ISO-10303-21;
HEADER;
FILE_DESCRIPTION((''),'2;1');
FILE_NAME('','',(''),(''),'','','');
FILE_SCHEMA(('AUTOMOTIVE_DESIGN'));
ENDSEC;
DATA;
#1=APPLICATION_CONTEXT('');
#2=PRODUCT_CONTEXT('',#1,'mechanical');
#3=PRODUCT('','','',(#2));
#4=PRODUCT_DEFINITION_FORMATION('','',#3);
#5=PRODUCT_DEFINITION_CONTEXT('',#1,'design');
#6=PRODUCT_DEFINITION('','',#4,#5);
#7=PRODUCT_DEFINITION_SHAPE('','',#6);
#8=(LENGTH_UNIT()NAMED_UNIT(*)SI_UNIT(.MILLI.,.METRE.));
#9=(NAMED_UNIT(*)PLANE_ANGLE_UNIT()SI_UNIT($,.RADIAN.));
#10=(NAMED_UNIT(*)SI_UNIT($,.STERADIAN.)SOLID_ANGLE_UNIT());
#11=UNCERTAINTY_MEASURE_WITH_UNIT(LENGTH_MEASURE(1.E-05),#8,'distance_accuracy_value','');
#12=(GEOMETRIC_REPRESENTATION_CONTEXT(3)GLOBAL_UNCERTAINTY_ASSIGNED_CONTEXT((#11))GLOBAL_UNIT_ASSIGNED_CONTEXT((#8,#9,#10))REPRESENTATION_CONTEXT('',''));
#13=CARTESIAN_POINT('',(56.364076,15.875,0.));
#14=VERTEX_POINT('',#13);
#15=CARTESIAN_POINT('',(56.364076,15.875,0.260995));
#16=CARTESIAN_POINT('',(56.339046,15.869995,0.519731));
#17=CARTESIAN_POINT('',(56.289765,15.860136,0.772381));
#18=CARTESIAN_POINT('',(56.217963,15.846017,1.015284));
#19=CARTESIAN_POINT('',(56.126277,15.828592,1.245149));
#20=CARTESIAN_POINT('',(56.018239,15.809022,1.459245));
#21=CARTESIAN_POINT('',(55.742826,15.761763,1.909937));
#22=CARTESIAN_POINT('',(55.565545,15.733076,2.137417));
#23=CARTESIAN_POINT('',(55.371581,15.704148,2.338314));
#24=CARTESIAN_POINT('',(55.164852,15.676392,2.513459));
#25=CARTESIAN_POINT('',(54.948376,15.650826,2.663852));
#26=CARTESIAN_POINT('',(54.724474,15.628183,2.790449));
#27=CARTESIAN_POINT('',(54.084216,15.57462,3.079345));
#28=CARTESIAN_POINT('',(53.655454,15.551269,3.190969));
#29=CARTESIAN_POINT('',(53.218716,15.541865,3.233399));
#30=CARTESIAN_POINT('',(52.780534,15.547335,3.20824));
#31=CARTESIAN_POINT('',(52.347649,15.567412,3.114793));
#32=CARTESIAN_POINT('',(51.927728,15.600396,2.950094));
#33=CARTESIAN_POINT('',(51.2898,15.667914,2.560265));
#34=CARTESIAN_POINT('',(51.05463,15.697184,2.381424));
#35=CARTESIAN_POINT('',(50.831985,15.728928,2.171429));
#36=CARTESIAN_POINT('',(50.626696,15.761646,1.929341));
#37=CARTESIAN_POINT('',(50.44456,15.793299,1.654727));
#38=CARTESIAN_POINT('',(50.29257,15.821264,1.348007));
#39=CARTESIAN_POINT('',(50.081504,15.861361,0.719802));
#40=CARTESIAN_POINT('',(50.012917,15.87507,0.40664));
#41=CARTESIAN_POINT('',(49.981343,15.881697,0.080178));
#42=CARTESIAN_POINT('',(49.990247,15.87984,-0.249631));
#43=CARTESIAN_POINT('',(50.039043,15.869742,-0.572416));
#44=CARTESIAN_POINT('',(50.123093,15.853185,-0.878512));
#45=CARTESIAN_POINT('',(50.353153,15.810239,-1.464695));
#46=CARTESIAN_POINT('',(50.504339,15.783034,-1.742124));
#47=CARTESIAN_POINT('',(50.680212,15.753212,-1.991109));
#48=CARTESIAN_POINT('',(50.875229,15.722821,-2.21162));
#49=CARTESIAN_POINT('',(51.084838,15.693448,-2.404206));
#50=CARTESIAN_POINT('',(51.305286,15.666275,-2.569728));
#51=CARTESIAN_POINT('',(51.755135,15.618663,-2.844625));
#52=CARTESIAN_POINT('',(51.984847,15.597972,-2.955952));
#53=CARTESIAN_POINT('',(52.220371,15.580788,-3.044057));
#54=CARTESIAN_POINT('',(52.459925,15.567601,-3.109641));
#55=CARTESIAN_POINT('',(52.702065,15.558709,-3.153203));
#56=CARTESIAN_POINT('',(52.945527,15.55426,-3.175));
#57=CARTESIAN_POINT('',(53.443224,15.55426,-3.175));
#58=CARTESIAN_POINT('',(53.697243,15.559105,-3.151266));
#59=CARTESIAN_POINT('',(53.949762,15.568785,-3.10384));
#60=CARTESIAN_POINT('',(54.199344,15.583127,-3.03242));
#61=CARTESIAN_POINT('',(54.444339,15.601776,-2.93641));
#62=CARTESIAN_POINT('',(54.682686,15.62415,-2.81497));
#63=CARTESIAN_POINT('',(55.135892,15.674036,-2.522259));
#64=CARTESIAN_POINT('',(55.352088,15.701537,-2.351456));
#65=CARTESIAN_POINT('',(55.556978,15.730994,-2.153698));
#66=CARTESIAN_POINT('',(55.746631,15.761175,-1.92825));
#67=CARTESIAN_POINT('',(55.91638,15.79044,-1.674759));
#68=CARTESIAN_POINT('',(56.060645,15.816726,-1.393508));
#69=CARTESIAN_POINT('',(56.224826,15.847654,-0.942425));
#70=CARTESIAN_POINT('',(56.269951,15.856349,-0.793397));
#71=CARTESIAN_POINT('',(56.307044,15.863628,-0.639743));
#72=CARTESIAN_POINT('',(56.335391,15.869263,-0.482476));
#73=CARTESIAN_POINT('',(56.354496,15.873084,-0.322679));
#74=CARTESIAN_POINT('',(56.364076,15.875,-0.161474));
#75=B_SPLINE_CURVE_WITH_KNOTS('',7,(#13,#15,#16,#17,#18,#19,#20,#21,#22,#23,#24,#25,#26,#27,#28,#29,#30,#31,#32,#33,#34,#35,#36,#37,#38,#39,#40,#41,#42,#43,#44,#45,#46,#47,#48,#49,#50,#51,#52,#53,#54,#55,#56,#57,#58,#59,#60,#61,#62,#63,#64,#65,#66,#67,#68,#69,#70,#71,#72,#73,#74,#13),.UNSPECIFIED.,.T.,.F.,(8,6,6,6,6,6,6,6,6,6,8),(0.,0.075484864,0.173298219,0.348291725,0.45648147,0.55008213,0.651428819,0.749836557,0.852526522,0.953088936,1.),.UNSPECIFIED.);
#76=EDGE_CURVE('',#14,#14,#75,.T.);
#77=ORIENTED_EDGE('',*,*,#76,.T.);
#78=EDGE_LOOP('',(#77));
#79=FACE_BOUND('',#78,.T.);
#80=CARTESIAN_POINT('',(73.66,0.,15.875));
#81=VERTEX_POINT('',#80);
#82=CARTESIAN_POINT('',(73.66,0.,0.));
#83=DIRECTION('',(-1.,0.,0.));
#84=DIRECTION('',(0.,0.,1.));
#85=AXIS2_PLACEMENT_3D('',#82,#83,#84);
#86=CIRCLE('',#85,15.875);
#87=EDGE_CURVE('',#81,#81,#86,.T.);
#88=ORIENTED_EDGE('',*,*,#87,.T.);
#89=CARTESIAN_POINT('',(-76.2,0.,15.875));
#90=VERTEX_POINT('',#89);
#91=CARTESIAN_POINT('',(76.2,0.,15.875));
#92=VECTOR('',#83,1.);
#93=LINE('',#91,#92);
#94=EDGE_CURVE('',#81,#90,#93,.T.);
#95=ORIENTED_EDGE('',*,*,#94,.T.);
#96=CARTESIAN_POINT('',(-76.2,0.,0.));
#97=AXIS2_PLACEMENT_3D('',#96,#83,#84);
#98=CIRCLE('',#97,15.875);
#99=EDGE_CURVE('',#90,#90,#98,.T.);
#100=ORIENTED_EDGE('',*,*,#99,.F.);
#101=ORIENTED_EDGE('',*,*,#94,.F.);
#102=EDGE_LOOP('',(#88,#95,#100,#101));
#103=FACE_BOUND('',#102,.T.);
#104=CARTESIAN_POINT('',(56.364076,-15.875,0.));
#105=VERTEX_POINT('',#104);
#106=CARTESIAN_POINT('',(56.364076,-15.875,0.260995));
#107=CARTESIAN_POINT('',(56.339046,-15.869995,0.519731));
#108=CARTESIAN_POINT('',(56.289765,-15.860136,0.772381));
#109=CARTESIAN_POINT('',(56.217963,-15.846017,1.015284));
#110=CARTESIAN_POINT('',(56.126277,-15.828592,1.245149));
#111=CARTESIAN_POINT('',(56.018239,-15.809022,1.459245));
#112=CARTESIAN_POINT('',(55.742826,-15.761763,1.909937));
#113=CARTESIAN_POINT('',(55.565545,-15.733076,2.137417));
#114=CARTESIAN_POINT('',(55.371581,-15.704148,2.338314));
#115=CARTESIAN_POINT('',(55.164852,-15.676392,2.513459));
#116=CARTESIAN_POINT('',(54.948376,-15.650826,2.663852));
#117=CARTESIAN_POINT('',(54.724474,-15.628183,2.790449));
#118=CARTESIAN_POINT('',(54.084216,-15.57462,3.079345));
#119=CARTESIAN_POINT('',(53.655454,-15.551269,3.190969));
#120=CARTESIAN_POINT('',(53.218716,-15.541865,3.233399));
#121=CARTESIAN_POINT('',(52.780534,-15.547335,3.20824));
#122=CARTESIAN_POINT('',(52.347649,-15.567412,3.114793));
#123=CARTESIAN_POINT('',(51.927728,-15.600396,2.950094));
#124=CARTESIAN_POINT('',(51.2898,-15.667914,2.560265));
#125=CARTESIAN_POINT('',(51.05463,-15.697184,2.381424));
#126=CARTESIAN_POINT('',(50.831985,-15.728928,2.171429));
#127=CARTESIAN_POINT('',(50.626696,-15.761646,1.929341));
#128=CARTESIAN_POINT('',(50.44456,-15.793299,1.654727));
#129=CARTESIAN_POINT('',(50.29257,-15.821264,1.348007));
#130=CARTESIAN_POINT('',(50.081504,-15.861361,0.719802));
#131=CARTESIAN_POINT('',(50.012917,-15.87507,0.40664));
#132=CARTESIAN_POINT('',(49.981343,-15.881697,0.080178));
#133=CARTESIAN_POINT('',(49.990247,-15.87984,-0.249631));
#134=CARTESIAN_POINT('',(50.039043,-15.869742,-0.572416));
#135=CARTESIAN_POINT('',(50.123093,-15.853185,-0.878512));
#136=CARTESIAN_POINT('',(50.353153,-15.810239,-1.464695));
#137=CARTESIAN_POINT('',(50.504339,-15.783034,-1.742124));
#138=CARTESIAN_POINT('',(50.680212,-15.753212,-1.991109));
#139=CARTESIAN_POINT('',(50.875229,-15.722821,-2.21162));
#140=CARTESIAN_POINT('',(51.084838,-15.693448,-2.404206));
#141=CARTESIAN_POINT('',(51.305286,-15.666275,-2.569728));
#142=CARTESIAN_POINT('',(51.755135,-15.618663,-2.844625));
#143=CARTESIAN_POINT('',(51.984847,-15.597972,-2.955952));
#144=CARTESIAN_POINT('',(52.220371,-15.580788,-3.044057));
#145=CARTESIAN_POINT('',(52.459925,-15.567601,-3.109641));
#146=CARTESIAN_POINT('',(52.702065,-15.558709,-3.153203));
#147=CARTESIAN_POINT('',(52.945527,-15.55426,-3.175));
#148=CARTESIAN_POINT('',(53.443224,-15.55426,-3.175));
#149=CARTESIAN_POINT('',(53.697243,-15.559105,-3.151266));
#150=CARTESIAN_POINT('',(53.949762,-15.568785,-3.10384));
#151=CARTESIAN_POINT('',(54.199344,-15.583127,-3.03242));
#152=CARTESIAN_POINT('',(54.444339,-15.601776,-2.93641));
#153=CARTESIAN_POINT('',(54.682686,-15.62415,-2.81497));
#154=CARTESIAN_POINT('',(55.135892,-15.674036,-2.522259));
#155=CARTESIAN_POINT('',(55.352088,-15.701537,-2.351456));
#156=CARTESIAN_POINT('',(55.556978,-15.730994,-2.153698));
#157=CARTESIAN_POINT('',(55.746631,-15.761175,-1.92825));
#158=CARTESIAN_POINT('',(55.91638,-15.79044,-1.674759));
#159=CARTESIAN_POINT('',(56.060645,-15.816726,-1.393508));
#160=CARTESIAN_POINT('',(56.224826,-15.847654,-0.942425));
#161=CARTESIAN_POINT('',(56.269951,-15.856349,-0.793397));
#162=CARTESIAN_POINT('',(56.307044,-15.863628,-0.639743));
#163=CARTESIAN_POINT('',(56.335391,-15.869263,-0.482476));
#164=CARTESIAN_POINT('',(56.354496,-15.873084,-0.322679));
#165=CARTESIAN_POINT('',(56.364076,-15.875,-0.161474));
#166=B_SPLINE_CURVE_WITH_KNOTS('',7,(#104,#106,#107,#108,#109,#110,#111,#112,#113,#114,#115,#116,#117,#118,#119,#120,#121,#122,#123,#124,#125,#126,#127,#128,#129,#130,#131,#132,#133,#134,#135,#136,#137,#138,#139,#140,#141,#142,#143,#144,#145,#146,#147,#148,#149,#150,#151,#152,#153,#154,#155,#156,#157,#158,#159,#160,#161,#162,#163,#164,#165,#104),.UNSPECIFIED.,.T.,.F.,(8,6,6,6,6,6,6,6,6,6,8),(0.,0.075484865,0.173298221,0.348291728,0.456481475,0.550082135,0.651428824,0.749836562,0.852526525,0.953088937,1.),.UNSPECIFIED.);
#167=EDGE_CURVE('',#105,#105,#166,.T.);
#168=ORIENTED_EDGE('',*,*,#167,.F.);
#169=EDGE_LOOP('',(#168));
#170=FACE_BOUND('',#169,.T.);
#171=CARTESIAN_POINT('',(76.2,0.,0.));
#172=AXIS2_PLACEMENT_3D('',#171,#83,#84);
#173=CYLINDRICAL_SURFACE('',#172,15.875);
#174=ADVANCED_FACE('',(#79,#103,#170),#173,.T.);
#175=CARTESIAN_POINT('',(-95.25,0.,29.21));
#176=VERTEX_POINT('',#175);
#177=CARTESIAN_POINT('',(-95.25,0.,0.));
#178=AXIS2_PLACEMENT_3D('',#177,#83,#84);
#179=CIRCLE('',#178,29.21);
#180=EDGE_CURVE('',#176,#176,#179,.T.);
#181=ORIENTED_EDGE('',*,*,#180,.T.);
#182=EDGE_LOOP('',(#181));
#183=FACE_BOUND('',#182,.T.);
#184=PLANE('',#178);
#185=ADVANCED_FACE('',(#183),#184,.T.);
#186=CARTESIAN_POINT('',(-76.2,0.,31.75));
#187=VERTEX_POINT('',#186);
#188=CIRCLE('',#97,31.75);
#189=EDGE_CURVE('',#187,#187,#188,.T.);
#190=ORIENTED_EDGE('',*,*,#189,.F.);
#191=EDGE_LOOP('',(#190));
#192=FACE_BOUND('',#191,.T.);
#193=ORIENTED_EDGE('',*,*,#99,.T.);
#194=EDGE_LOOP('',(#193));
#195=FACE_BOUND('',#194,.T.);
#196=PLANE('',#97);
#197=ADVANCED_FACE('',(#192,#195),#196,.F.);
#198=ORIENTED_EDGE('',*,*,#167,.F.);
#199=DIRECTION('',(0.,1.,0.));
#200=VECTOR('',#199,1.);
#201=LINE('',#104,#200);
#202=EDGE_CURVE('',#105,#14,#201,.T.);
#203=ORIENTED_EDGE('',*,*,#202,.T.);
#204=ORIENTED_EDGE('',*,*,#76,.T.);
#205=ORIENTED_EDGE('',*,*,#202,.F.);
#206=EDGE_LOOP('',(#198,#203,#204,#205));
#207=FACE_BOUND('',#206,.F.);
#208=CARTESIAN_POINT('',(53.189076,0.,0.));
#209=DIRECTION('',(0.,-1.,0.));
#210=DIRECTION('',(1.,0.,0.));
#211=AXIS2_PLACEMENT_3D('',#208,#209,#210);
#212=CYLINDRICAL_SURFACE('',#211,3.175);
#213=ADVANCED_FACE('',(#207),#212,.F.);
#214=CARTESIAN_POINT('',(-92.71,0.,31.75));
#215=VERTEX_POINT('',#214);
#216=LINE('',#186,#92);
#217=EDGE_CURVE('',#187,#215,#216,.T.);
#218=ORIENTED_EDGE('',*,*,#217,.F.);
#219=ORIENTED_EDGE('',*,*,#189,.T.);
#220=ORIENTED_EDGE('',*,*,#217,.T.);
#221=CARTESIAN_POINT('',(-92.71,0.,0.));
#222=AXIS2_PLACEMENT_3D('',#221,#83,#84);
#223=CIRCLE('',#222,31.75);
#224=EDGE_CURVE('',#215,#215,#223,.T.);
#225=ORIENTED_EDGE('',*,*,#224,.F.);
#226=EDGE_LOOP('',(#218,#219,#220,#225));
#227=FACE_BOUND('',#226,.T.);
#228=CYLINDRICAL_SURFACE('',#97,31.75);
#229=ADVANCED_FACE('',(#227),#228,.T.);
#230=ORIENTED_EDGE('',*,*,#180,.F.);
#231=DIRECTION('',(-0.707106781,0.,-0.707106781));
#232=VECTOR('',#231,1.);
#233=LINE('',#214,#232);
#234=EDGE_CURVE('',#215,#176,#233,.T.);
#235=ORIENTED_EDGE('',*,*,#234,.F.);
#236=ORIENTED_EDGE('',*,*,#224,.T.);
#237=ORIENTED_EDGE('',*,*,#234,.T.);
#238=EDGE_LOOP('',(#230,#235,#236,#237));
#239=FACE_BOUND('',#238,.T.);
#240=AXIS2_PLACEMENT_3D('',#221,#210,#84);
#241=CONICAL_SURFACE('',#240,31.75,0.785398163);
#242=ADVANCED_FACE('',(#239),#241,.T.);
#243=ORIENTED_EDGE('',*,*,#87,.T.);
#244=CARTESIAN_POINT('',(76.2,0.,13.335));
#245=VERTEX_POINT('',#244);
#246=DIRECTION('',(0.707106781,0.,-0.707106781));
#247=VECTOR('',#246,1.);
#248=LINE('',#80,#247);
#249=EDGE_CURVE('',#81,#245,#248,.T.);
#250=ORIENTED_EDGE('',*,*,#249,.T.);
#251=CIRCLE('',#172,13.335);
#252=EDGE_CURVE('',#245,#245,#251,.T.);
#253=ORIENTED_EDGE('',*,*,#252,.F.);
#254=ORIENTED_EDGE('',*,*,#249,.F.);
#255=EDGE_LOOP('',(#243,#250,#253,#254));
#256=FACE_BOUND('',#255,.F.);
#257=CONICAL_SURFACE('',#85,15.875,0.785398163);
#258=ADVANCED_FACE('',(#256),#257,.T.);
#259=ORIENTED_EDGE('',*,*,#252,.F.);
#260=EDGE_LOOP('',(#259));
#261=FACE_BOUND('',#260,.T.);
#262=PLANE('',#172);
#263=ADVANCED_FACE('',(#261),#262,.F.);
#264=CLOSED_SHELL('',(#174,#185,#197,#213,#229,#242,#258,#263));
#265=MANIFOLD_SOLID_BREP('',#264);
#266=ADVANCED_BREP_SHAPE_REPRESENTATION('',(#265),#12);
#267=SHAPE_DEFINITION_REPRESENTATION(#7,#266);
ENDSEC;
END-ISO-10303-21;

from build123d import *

# Parameters (mm, degrees)
F2_DEPTH = 25.4
F3_SIZE  = 2.54


with BuildPart() as f1:
    # F0 (on Front) → F1 (revolve)
    with BuildSketch(Plane.XZ):
        with BuildLine():
            Line((-76.2, 15.875), (-76.2, 0))
            Line((-76.2, 0), (50.0140764832, 0))
            ThreePointArc((50.0140764832, 0), (53.1890764832, 3.175), (56.3640764832, 0))
            Line((56.3640764832, 0), (76.2, 0))
            Line((76.2, 0), (76.2, 15.875))
            Line((76.2, 15.875), (-76.2, 15.875))
        make_face()
        Polygon((-95.25, 0), (-76.2, 0), (-76.2, 15.875), (-76.2, 31.75), (-95.25, 31.75), align=None)
    revolve(axis=Axis((-9.525, 0, 0), (-1, 0, 0)))

    # F0 (on Front) → F2 (cut, symmetric)
    with BuildSketch(Plane.XZ):
        with BuildLine():
            Line((56.3640764832, 0), (50.0140764832, 0))
            ThreePointArc((50.0140764832, 0), (53.1890764832, -3.175), (56.3640764832, 0))
        make_face()
        with BuildLine():
            ThreePointArc((56.3640764832, 0), (53.1890764832, 3.175), (50.0140764832, 0))
            Line((50.0140764832, 0), (56.3640764832, 0))
        make_face()
    extrude(amount=F2_DEPTH, both=True, mode=Mode.SUBTRACT)

    # F3
    f3_edges = [f1.edges().sort_by_distance(p)[0] for p in [
        (76.2, 0, -15.875),
        (-95.25, 0, -31.75),
    ]]
    chamfer(f3_edges, length=F3_SIZE)


solid = f1.part
